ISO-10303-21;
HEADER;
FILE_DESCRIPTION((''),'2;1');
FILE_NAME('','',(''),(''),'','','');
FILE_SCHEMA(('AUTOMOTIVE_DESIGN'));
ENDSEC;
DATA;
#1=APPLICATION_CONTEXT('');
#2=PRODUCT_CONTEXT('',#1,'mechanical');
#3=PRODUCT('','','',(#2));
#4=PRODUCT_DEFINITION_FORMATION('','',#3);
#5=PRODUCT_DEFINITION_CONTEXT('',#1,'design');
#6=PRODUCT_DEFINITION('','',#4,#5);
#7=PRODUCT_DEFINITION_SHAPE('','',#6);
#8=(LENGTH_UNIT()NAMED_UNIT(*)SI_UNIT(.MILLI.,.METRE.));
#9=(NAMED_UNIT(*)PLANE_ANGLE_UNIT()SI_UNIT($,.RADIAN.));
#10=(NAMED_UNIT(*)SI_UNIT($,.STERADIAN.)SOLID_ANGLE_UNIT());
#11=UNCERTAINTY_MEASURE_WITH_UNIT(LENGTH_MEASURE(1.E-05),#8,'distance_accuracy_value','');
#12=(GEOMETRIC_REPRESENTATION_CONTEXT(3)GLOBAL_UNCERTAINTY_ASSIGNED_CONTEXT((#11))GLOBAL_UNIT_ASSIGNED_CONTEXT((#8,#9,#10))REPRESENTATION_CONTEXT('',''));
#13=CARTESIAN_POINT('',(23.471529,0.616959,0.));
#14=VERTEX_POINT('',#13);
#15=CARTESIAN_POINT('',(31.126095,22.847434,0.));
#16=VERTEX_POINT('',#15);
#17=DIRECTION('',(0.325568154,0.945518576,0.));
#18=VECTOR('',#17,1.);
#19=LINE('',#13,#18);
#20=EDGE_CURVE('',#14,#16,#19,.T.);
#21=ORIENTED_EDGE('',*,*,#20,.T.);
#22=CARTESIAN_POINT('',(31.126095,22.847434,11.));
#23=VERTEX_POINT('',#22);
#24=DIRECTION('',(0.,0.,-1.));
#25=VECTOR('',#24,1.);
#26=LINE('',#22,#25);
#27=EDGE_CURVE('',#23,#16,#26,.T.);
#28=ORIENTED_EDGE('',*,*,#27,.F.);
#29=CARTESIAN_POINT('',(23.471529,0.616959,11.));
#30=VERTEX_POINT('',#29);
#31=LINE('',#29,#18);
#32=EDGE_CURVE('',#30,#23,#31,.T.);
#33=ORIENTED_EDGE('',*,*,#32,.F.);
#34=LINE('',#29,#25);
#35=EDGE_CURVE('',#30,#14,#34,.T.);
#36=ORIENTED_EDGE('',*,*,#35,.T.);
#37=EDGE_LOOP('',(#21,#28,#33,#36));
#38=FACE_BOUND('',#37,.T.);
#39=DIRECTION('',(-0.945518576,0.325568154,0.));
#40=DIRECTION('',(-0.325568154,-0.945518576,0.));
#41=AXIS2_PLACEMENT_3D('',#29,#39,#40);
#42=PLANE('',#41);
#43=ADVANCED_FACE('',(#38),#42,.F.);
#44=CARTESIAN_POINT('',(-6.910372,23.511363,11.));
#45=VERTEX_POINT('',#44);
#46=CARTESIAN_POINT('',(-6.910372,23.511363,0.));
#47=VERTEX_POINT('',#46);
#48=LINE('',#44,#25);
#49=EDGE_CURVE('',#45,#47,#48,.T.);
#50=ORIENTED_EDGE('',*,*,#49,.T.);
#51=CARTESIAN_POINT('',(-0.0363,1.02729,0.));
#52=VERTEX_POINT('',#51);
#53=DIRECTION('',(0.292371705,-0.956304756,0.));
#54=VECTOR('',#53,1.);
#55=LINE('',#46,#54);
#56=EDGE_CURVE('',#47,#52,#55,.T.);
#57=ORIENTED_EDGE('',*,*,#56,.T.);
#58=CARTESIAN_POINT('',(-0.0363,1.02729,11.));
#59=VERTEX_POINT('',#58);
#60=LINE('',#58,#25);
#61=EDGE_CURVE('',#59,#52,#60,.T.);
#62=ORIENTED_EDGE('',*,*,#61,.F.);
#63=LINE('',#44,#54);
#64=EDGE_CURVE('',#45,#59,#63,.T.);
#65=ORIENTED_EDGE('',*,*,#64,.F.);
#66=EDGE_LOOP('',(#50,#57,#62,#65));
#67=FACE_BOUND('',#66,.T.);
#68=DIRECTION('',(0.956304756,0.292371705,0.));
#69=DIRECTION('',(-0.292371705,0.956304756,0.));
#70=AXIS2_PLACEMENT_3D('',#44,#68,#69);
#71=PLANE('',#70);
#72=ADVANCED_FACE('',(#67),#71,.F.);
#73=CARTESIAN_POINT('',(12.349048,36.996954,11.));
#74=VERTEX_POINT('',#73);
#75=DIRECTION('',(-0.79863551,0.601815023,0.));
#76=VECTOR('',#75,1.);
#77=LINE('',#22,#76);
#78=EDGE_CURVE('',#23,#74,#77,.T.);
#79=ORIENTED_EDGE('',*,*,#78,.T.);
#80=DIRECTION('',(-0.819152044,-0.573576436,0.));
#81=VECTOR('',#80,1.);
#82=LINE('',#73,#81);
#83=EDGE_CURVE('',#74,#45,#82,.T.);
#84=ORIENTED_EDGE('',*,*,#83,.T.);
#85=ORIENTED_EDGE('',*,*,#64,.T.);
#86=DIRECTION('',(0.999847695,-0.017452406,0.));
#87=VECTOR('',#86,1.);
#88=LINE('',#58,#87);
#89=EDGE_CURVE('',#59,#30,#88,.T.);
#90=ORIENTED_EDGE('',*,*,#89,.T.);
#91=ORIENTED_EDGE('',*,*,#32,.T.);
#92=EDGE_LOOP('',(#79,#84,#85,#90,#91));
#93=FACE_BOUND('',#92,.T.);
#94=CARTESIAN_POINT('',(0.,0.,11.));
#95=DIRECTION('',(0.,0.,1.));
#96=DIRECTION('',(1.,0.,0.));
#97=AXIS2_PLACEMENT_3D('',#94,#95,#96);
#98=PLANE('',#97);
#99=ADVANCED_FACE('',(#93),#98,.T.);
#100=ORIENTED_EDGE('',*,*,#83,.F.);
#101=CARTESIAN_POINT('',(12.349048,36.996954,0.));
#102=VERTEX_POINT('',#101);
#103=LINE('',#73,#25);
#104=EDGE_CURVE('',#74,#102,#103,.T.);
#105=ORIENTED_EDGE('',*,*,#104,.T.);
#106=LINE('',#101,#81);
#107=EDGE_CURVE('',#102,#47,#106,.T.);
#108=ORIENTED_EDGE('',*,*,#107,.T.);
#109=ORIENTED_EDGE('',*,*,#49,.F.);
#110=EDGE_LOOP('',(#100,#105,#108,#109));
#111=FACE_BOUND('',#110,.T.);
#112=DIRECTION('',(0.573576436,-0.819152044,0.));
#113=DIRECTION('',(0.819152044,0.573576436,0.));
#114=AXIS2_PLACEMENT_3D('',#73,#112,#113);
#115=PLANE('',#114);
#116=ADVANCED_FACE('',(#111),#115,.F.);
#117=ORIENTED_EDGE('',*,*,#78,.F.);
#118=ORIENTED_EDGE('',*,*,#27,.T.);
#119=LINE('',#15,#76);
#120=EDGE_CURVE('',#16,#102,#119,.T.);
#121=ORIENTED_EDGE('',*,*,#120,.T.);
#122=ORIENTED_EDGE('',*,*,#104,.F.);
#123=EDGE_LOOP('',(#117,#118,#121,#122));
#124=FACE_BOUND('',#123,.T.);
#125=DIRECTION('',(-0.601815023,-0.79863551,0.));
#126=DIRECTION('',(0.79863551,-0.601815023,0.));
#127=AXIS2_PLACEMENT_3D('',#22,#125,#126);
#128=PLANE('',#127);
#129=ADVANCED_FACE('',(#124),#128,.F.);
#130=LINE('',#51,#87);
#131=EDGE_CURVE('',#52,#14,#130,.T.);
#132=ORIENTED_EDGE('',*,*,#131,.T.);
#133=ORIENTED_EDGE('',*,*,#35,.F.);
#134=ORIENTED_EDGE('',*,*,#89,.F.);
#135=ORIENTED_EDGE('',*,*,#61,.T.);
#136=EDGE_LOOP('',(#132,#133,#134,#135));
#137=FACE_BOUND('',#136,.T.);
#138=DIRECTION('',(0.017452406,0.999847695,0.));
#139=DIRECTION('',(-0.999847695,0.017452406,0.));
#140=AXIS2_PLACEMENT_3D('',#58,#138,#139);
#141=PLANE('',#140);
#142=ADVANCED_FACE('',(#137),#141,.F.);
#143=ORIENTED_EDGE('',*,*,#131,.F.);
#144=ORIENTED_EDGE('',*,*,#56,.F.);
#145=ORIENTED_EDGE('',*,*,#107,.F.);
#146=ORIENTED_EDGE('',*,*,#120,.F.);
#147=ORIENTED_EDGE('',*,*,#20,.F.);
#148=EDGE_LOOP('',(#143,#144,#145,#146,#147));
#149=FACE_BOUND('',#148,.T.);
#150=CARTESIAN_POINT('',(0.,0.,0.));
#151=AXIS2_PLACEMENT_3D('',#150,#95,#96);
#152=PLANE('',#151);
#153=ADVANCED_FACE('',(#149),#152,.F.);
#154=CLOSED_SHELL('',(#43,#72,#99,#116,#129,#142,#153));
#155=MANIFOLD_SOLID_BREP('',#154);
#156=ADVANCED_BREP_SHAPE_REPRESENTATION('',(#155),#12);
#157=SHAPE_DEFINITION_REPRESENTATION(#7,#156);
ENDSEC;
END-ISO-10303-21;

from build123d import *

# Parameters (mm, degrees)
BOSS_EXTRUDE1_DEPTH = 11


with BuildPart() as part:
    # Sketch1 → Boss-Extrude1 (new body)
    with BuildSketch(Plane.XY):
        Polygon((31.126095119, 22.847434094), (12.349048129, 36.996953903), (-6.910371512, 23.511363089), (-0.036300463, 1.027289799), (23.471528727, 0.616959114), align=None)
    extrude(amount=BOSS_EXTRUDE1_DEPTH)


solid = part.part
